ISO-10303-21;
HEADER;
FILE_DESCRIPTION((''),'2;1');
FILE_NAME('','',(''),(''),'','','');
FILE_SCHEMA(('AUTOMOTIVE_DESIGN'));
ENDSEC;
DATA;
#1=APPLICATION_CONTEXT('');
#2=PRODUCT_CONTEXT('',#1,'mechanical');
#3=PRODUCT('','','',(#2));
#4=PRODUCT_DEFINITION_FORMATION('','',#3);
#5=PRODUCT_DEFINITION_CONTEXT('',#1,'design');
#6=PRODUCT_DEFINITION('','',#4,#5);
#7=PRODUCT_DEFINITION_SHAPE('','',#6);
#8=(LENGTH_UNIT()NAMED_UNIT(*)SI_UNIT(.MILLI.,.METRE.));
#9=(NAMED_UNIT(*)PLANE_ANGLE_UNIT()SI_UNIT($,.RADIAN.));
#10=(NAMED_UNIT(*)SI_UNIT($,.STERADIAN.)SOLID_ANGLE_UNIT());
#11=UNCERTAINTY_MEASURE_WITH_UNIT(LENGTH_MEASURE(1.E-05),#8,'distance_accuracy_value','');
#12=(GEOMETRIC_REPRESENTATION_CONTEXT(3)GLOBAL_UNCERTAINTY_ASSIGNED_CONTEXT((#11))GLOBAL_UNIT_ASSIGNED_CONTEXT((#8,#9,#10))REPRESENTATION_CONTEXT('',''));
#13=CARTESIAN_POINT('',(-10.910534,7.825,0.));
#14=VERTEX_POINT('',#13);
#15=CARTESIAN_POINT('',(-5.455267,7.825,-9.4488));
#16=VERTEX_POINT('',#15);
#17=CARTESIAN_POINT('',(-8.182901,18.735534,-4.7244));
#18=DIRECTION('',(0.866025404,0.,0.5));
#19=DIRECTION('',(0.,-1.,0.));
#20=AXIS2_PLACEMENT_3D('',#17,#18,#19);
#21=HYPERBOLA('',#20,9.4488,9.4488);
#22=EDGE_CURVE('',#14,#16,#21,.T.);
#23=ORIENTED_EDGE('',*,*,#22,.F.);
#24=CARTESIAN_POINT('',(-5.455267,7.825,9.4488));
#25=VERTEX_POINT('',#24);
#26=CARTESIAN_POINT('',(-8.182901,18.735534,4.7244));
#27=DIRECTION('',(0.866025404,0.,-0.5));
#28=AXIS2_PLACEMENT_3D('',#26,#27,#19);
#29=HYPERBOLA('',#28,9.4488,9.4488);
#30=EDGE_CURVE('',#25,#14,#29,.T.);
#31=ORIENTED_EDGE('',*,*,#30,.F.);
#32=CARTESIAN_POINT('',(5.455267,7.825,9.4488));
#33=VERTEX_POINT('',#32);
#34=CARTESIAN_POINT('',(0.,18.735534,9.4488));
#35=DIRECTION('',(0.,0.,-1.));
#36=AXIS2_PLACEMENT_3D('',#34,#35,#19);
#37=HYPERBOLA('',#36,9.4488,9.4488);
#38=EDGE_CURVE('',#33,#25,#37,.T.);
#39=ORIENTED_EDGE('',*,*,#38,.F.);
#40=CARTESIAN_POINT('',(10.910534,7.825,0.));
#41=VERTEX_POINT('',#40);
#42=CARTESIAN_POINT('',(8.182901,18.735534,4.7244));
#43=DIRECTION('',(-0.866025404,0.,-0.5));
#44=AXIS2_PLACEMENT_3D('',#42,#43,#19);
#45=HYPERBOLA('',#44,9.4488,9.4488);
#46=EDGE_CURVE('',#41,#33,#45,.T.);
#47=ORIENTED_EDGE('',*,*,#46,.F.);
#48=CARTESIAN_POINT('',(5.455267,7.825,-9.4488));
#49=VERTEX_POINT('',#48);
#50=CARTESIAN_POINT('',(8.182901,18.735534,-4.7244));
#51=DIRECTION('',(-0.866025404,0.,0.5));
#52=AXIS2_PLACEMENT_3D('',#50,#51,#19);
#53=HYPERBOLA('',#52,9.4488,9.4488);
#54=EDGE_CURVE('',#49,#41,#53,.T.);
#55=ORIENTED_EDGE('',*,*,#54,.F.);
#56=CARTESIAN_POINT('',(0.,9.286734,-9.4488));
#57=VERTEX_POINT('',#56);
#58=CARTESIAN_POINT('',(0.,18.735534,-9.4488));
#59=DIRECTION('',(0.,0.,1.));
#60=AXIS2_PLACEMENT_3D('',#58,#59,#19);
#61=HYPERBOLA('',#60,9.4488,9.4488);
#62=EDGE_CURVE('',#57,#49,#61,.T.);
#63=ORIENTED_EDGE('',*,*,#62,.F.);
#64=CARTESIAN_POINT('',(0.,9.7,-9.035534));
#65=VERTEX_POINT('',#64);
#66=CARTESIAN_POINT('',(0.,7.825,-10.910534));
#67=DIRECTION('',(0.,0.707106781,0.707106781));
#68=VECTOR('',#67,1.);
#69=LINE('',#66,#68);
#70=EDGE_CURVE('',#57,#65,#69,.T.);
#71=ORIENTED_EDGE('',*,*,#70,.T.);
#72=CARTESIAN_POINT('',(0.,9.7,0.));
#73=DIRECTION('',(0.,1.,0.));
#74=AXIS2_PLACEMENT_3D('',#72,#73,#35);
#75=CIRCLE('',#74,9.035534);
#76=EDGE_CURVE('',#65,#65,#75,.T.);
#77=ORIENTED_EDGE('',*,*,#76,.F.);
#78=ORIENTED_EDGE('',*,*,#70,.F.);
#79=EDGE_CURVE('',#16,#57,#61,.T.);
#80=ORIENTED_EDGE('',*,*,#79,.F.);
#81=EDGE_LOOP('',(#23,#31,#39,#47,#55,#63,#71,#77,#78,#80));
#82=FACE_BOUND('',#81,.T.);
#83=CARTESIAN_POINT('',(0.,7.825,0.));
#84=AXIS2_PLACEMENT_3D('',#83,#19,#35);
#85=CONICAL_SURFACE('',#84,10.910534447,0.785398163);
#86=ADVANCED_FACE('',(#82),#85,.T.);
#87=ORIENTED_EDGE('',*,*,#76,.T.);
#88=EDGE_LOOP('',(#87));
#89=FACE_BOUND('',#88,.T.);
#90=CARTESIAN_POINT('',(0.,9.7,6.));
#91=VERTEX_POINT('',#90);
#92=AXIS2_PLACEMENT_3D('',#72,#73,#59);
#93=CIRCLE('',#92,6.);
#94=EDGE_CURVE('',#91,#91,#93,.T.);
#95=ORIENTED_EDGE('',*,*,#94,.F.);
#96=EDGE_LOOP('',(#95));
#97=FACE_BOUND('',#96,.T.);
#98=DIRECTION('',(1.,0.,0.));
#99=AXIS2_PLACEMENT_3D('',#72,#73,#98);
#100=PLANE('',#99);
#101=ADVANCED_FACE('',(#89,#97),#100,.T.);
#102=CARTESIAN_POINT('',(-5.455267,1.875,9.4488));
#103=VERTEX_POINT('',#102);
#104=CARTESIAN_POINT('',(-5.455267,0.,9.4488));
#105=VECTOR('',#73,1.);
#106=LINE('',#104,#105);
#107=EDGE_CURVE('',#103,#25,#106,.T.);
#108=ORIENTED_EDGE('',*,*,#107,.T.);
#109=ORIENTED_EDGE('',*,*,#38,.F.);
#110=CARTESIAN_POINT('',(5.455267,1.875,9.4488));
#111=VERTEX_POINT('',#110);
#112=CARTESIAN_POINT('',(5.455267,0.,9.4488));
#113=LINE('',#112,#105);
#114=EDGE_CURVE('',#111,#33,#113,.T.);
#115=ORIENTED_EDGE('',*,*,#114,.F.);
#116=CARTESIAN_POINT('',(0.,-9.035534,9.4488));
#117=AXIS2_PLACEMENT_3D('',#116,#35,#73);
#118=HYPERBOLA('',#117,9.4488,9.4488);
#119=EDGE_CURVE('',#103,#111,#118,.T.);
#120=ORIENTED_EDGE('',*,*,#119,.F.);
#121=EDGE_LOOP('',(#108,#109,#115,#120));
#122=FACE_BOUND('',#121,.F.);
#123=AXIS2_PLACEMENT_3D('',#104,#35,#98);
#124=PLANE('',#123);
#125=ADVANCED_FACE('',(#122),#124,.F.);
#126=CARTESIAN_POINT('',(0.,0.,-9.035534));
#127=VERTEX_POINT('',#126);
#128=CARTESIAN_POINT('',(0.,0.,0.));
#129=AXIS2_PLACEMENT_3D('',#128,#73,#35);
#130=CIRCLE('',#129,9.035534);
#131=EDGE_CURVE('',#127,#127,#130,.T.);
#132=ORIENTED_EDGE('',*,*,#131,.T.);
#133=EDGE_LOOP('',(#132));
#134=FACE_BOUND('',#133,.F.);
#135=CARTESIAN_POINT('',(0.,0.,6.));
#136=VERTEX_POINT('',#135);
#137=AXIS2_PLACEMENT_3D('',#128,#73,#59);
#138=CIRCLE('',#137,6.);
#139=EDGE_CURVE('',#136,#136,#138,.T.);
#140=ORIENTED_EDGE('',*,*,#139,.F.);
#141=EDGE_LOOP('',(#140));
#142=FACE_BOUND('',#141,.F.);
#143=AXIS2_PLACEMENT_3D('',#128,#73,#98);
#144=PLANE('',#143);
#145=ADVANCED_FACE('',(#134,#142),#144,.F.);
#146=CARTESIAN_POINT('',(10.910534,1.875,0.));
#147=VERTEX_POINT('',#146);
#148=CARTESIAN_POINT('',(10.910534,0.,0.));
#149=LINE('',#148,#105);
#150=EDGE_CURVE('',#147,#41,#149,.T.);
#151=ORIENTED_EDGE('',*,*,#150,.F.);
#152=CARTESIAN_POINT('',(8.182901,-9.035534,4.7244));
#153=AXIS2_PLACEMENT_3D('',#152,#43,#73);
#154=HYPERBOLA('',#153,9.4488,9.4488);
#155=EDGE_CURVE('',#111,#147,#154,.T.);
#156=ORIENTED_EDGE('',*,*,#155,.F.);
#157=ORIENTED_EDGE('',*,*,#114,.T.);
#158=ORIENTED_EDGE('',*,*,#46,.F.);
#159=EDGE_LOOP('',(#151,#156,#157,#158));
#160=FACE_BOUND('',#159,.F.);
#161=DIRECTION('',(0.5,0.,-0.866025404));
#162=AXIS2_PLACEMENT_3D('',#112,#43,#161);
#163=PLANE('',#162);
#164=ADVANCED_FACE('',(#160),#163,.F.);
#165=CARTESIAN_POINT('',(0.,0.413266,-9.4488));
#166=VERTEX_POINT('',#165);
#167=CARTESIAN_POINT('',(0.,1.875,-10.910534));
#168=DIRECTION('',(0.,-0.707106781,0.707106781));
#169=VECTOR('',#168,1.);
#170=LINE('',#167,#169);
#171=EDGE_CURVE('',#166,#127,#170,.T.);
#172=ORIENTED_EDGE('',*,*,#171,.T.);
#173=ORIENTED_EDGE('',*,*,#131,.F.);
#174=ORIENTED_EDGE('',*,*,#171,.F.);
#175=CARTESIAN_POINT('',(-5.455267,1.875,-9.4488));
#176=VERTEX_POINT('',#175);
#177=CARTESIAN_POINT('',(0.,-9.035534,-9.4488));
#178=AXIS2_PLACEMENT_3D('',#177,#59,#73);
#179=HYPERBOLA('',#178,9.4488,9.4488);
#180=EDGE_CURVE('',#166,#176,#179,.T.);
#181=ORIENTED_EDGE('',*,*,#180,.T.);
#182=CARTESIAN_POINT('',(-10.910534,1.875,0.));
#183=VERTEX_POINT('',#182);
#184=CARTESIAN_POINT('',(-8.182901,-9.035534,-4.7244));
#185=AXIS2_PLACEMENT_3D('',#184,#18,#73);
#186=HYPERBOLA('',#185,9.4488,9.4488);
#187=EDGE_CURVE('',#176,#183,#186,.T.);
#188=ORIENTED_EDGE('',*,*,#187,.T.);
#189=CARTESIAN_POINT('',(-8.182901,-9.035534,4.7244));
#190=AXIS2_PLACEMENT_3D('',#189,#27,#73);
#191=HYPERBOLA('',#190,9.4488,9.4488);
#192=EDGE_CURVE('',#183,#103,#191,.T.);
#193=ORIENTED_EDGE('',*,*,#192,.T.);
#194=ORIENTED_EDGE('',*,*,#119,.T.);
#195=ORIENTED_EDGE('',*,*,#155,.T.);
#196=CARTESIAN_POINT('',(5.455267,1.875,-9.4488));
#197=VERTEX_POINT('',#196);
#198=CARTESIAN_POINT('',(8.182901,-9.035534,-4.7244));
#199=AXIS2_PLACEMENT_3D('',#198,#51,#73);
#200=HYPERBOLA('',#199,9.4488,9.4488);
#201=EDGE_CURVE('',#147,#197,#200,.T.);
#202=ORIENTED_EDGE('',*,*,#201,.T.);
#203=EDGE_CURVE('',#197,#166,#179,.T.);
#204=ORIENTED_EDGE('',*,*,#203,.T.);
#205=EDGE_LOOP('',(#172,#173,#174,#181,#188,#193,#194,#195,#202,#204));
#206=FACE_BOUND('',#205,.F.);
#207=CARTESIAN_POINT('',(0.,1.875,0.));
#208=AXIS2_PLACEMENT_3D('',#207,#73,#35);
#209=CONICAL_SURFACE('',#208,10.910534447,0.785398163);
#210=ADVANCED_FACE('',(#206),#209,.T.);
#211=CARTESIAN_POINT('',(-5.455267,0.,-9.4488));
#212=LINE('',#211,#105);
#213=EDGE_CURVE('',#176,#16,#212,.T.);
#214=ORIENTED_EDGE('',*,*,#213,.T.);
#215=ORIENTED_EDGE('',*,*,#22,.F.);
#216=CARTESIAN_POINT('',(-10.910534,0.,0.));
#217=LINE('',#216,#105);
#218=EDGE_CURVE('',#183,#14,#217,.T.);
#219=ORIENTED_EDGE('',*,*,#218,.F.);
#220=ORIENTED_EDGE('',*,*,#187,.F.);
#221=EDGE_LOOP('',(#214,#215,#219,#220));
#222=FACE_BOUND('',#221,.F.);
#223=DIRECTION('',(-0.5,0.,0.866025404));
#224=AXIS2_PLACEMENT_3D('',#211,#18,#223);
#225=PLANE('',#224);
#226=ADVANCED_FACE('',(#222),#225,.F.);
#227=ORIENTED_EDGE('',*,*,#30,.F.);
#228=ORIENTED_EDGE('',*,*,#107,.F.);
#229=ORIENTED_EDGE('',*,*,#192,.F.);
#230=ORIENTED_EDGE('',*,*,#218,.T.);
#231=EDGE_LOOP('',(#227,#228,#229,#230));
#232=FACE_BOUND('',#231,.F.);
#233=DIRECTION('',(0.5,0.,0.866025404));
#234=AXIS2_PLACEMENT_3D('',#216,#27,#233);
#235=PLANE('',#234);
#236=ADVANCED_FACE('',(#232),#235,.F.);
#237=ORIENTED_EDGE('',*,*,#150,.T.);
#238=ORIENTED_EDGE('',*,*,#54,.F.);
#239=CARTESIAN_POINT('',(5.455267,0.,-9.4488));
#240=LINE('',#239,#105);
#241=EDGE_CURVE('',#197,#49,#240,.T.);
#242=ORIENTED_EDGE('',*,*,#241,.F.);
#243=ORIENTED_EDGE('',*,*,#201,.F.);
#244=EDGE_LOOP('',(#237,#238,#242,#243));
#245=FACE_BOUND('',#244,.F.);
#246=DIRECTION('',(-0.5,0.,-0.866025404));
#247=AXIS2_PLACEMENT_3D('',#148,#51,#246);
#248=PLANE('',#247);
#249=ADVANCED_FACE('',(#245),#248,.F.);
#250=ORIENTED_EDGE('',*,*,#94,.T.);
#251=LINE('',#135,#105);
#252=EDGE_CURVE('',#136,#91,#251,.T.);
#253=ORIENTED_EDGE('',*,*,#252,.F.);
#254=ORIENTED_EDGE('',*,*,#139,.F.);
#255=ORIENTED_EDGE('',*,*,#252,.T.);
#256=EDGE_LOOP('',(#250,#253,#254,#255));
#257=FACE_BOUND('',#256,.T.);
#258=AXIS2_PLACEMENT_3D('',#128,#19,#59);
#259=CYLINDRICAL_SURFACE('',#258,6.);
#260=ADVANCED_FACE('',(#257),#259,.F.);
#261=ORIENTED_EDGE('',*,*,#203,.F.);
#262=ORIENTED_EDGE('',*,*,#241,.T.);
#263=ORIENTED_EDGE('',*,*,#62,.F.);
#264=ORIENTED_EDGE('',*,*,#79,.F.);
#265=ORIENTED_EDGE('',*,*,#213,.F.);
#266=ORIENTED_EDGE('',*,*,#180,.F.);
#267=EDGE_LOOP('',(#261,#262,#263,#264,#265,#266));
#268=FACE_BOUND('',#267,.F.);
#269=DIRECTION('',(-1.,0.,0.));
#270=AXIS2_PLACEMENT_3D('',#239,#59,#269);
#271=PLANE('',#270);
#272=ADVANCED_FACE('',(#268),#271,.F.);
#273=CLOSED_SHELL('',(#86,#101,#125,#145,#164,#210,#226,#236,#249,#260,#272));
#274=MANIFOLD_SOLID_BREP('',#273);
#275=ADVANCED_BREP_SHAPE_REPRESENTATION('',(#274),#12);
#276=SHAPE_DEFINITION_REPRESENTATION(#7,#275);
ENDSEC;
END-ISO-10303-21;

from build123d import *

# Parameters (mm, degrees)
SKETCH1_R           = 6
BOSS_EXTRUDE1_DEPTH = 9.7


with BuildPart() as part:
    # Sketch1 → Boss-Extrude1 (new body)
    with BuildSketch(Plane(origin=(0, 0, 0), x_dir=(1, 0, 0), z_dir=(0, 1, 0))):
        Polygon((-10.910534447, 0), (-5.455267224, -9.4488), (5.455267224, -9.4488), (10.910534447, 0), (5.455267224, 9.4488), (-5.455267224, 9.4488), align=None)
        with Locations(Location((0, 0, 0), (0, 0, 270))):
            Circle(SKETCH1_R, mode=Mode.SUBTRACT)
    extrude(amount=BOSS_EXTRUDE1_DEPTH)

    # Sketch3 → Cut-Revolve3 (revolve, cut)
    with BuildSketch(Plane.XY, mode=Mode.PRIVATE) as cut_revolve3_sk:
        Polygon((-9.035534447, 9.7), (-10.910534447, 9.7), (-10.910534447, 7.825), align=None)
    revolve(cut_revolve3_sk.sketch.rotate(Axis((0, 0, 0), (0, 1, 0)), 270), axis=Axis((0, 0, 0), (0, 1, 0)), mode=Mode.SUBTRACT)

    # Sketch4 → Cut-Revolve4 (revolve, cut)
    with BuildSketch(Plane.XY, mode=Mode.PRIVATE) as cut_revolve4_sk:
        Polygon((-9.035534447, 0), (-10.910534447, 0), (-10.910534447, 1.875), align=None)
    revolve(cut_revolve4_sk.sketch.rotate(Axis((0, 0, 0), (0, 1, 0)), 270), axis=Axis((0, 0, 0), (0, 1, 0)), mode=Mode.SUBTRACT)


solid = part.part
